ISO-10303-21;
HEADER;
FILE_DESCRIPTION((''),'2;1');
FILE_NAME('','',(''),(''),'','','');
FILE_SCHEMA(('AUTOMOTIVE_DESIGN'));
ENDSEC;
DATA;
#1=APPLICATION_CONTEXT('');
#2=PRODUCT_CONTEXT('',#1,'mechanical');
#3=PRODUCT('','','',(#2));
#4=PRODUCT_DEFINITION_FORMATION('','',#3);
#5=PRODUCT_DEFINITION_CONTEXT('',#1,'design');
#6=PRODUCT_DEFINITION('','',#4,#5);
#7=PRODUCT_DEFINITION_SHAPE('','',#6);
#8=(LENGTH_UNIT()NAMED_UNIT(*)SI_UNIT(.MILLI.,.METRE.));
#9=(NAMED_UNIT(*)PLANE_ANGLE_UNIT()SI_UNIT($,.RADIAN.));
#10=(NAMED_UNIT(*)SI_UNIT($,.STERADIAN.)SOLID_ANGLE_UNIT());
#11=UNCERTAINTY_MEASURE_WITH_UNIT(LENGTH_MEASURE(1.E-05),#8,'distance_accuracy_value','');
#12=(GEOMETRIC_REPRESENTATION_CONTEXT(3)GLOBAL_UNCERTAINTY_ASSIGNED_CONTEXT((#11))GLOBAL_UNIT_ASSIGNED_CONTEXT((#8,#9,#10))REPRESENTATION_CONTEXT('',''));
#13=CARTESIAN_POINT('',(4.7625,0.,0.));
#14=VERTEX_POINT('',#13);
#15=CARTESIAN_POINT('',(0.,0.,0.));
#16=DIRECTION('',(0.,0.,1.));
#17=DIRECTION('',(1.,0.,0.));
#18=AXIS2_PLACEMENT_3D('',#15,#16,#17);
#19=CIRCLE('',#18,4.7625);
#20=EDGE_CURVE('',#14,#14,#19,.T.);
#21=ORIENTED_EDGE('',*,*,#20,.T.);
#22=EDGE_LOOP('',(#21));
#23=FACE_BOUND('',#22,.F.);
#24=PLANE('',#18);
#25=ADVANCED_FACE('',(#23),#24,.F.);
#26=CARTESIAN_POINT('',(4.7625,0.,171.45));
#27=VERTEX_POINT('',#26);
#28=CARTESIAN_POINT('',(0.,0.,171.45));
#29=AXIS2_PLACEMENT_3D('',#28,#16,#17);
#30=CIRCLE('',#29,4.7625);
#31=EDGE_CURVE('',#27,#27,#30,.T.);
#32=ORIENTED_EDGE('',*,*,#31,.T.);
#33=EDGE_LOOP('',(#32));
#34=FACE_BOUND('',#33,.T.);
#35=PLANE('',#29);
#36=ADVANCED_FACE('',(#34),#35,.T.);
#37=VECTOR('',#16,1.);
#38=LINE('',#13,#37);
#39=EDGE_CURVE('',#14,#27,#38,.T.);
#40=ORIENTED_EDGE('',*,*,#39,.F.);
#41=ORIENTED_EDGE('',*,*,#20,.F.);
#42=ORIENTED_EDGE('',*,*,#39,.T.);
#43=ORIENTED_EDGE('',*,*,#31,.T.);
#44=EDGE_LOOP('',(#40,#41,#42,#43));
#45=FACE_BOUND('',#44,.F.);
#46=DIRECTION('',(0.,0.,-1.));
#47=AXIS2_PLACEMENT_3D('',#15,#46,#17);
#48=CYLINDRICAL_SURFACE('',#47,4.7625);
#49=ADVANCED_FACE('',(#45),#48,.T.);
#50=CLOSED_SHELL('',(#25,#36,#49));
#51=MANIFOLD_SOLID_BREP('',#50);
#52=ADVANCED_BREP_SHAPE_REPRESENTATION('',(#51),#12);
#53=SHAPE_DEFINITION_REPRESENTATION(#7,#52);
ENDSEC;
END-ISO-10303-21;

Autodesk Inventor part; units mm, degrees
ref_plane "YZ Plane" through (0, 0, 0) normal (1, 0, 0) x (0, 1, 0)
ref_plane "XZ Plane" through (0, 0, 0) normal (0, 1, 0) x (-1, 0, 0)
ref_plane "XY Plane" through (0, 0, 0) normal (0, 0, 1) x (1, 0, 0)
sketch "Sketch1" plane through (0, 0, 0) normal (0, 0, 1) x (1, 0, 0)
  circle A0 centre (0, 0) radius 4.7625
  dimension "d0" = 9.525
  dimension "d0" = 9.525
extrude "Extrusion1" add sketch "Sketch1" along normal blind 171.45
properties part number "manipulator propeling shaft"
